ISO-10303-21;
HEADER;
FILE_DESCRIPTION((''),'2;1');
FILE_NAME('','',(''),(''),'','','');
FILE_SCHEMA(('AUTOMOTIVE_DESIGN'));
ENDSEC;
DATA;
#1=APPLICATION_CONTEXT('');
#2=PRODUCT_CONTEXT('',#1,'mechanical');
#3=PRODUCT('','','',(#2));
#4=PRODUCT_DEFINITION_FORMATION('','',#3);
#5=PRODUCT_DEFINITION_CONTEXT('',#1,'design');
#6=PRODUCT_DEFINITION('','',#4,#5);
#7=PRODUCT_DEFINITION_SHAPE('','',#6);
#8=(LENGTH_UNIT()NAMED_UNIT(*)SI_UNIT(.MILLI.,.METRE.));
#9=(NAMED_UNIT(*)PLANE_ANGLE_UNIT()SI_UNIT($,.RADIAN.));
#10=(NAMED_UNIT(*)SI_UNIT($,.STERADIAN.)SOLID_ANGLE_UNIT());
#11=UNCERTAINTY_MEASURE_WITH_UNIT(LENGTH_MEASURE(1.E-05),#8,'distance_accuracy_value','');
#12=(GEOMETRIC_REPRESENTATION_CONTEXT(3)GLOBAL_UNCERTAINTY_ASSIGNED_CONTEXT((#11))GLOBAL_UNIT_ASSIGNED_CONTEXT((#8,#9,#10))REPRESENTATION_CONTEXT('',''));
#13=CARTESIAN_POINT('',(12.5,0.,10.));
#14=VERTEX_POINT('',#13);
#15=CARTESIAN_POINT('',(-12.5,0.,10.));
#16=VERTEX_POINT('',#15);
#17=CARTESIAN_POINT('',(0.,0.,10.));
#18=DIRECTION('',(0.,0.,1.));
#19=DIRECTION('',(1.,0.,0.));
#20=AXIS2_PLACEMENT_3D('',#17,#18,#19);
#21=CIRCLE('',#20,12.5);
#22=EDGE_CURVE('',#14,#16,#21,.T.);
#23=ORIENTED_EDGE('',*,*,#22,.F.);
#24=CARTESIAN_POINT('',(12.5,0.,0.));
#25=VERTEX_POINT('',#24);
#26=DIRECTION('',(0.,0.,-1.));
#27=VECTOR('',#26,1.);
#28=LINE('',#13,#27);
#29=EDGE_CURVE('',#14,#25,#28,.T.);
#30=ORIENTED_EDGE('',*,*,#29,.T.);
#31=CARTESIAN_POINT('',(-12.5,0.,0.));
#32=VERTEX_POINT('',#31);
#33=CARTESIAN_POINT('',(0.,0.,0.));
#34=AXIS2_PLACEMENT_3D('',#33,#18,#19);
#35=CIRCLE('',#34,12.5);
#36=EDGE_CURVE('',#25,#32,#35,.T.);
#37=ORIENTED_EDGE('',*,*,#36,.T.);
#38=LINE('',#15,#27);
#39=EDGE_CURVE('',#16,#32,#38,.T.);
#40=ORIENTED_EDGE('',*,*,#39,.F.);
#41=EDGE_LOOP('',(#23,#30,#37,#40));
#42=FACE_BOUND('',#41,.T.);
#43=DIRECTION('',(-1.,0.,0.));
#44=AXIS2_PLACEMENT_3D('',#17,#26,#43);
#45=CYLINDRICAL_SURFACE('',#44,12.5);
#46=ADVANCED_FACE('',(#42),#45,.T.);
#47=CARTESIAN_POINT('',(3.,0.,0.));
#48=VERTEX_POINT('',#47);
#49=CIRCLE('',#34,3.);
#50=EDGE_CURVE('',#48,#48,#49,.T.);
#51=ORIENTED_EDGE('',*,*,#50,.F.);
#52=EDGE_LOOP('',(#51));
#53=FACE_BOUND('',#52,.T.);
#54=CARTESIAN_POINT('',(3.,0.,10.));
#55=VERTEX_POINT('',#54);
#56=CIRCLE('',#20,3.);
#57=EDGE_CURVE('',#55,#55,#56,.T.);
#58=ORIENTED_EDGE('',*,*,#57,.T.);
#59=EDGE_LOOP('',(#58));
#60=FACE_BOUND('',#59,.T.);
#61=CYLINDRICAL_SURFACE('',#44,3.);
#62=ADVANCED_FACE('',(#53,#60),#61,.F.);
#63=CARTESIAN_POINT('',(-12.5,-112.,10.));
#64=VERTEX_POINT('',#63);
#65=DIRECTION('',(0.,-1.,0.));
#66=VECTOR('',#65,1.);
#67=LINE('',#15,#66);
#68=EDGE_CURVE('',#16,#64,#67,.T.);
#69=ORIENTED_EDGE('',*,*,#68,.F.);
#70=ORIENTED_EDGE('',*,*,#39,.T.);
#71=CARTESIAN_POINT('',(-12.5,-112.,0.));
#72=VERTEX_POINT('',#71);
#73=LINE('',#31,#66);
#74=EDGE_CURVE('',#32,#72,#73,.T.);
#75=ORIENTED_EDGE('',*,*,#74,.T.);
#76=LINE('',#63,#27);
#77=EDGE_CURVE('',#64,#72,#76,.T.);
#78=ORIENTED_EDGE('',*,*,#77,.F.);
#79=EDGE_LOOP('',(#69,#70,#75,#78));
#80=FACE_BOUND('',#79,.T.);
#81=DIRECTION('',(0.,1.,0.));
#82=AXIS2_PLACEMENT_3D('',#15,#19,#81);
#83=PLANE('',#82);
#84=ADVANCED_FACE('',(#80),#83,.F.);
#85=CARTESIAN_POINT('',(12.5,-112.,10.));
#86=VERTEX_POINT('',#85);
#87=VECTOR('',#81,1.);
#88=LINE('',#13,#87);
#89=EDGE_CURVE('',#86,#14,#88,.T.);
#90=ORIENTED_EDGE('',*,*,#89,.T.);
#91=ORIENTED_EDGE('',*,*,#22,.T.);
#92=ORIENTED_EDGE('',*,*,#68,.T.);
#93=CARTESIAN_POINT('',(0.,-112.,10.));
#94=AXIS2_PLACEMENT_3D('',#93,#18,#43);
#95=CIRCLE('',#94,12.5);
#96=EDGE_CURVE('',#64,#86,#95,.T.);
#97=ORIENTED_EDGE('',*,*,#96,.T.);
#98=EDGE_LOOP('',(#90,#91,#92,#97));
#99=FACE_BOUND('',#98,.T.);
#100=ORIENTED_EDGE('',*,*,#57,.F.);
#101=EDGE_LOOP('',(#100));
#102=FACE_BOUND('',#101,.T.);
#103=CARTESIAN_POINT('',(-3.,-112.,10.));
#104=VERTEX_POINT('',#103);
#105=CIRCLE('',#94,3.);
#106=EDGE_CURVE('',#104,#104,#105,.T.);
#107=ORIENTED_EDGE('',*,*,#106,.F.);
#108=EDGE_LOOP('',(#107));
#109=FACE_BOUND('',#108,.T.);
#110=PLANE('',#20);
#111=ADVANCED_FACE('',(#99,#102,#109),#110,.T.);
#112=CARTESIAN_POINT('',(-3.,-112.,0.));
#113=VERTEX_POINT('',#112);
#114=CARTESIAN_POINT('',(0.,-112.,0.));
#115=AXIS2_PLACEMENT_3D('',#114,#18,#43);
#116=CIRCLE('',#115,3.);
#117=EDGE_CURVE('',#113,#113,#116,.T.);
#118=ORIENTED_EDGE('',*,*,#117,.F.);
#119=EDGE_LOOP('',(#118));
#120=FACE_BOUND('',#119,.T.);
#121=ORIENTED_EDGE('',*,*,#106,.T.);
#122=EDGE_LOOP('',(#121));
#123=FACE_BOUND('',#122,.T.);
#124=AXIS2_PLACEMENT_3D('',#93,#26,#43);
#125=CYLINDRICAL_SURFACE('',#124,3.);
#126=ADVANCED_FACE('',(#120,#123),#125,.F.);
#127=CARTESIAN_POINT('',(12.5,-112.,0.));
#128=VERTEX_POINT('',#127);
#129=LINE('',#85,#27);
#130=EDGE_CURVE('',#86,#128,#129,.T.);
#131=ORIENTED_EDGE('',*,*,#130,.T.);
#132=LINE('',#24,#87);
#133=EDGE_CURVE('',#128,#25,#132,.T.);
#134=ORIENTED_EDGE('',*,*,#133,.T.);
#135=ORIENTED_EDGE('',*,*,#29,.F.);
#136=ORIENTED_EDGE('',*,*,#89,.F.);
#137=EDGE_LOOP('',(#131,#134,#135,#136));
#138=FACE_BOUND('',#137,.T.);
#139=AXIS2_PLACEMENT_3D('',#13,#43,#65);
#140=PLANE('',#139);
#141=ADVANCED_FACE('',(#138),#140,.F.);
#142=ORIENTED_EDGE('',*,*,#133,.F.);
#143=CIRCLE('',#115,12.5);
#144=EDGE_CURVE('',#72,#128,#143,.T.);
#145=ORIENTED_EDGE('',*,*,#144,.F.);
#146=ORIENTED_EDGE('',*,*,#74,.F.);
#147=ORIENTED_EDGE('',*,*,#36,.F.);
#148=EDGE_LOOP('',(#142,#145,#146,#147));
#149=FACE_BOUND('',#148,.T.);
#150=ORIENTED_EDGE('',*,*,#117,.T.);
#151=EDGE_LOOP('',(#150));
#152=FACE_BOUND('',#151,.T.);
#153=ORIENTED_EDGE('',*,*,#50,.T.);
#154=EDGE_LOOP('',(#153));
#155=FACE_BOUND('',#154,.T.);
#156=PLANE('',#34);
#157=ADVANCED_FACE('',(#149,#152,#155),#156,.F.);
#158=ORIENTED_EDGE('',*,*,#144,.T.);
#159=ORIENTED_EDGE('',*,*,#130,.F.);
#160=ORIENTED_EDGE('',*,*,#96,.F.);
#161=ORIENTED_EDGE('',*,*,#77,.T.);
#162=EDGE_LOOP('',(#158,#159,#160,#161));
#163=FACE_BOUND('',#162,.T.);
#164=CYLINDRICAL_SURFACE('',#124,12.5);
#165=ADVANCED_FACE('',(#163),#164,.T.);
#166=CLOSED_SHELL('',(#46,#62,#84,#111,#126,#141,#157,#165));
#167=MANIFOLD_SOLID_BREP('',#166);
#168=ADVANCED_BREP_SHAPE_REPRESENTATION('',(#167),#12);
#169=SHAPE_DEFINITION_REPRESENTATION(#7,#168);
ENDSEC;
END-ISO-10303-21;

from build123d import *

# Parameters (mm, degrees)
SKETCH1_R           = 3
BOSS_EXTRUDE1_DEPTH = 10


with BuildPart() as part:
    # Sketch1 → Boss-Extrude1 (new body)
    with BuildSketch(Plane.XY):
        with BuildLine():
            Line((-12.5, 0), (-12.5, -112))
            ThreePointArc((-12.5, -112), (0, -124.5), (12.5, -112))
            Line((12.5, -112), (12.5, 0))
            ThreePointArc((12.5, 0), (0, 12.5), (-12.5, 0))
        make_face()
        Circle(SKETCH1_R, mode=Mode.SUBTRACT)
        with Locations(Location((0, -112, 0), (0, 0, 180))):
            Circle(SKETCH1_R, mode=Mode.SUBTRACT)
    extrude(amount=BOSS_EXTRUDE1_DEPTH)


solid = part.part
